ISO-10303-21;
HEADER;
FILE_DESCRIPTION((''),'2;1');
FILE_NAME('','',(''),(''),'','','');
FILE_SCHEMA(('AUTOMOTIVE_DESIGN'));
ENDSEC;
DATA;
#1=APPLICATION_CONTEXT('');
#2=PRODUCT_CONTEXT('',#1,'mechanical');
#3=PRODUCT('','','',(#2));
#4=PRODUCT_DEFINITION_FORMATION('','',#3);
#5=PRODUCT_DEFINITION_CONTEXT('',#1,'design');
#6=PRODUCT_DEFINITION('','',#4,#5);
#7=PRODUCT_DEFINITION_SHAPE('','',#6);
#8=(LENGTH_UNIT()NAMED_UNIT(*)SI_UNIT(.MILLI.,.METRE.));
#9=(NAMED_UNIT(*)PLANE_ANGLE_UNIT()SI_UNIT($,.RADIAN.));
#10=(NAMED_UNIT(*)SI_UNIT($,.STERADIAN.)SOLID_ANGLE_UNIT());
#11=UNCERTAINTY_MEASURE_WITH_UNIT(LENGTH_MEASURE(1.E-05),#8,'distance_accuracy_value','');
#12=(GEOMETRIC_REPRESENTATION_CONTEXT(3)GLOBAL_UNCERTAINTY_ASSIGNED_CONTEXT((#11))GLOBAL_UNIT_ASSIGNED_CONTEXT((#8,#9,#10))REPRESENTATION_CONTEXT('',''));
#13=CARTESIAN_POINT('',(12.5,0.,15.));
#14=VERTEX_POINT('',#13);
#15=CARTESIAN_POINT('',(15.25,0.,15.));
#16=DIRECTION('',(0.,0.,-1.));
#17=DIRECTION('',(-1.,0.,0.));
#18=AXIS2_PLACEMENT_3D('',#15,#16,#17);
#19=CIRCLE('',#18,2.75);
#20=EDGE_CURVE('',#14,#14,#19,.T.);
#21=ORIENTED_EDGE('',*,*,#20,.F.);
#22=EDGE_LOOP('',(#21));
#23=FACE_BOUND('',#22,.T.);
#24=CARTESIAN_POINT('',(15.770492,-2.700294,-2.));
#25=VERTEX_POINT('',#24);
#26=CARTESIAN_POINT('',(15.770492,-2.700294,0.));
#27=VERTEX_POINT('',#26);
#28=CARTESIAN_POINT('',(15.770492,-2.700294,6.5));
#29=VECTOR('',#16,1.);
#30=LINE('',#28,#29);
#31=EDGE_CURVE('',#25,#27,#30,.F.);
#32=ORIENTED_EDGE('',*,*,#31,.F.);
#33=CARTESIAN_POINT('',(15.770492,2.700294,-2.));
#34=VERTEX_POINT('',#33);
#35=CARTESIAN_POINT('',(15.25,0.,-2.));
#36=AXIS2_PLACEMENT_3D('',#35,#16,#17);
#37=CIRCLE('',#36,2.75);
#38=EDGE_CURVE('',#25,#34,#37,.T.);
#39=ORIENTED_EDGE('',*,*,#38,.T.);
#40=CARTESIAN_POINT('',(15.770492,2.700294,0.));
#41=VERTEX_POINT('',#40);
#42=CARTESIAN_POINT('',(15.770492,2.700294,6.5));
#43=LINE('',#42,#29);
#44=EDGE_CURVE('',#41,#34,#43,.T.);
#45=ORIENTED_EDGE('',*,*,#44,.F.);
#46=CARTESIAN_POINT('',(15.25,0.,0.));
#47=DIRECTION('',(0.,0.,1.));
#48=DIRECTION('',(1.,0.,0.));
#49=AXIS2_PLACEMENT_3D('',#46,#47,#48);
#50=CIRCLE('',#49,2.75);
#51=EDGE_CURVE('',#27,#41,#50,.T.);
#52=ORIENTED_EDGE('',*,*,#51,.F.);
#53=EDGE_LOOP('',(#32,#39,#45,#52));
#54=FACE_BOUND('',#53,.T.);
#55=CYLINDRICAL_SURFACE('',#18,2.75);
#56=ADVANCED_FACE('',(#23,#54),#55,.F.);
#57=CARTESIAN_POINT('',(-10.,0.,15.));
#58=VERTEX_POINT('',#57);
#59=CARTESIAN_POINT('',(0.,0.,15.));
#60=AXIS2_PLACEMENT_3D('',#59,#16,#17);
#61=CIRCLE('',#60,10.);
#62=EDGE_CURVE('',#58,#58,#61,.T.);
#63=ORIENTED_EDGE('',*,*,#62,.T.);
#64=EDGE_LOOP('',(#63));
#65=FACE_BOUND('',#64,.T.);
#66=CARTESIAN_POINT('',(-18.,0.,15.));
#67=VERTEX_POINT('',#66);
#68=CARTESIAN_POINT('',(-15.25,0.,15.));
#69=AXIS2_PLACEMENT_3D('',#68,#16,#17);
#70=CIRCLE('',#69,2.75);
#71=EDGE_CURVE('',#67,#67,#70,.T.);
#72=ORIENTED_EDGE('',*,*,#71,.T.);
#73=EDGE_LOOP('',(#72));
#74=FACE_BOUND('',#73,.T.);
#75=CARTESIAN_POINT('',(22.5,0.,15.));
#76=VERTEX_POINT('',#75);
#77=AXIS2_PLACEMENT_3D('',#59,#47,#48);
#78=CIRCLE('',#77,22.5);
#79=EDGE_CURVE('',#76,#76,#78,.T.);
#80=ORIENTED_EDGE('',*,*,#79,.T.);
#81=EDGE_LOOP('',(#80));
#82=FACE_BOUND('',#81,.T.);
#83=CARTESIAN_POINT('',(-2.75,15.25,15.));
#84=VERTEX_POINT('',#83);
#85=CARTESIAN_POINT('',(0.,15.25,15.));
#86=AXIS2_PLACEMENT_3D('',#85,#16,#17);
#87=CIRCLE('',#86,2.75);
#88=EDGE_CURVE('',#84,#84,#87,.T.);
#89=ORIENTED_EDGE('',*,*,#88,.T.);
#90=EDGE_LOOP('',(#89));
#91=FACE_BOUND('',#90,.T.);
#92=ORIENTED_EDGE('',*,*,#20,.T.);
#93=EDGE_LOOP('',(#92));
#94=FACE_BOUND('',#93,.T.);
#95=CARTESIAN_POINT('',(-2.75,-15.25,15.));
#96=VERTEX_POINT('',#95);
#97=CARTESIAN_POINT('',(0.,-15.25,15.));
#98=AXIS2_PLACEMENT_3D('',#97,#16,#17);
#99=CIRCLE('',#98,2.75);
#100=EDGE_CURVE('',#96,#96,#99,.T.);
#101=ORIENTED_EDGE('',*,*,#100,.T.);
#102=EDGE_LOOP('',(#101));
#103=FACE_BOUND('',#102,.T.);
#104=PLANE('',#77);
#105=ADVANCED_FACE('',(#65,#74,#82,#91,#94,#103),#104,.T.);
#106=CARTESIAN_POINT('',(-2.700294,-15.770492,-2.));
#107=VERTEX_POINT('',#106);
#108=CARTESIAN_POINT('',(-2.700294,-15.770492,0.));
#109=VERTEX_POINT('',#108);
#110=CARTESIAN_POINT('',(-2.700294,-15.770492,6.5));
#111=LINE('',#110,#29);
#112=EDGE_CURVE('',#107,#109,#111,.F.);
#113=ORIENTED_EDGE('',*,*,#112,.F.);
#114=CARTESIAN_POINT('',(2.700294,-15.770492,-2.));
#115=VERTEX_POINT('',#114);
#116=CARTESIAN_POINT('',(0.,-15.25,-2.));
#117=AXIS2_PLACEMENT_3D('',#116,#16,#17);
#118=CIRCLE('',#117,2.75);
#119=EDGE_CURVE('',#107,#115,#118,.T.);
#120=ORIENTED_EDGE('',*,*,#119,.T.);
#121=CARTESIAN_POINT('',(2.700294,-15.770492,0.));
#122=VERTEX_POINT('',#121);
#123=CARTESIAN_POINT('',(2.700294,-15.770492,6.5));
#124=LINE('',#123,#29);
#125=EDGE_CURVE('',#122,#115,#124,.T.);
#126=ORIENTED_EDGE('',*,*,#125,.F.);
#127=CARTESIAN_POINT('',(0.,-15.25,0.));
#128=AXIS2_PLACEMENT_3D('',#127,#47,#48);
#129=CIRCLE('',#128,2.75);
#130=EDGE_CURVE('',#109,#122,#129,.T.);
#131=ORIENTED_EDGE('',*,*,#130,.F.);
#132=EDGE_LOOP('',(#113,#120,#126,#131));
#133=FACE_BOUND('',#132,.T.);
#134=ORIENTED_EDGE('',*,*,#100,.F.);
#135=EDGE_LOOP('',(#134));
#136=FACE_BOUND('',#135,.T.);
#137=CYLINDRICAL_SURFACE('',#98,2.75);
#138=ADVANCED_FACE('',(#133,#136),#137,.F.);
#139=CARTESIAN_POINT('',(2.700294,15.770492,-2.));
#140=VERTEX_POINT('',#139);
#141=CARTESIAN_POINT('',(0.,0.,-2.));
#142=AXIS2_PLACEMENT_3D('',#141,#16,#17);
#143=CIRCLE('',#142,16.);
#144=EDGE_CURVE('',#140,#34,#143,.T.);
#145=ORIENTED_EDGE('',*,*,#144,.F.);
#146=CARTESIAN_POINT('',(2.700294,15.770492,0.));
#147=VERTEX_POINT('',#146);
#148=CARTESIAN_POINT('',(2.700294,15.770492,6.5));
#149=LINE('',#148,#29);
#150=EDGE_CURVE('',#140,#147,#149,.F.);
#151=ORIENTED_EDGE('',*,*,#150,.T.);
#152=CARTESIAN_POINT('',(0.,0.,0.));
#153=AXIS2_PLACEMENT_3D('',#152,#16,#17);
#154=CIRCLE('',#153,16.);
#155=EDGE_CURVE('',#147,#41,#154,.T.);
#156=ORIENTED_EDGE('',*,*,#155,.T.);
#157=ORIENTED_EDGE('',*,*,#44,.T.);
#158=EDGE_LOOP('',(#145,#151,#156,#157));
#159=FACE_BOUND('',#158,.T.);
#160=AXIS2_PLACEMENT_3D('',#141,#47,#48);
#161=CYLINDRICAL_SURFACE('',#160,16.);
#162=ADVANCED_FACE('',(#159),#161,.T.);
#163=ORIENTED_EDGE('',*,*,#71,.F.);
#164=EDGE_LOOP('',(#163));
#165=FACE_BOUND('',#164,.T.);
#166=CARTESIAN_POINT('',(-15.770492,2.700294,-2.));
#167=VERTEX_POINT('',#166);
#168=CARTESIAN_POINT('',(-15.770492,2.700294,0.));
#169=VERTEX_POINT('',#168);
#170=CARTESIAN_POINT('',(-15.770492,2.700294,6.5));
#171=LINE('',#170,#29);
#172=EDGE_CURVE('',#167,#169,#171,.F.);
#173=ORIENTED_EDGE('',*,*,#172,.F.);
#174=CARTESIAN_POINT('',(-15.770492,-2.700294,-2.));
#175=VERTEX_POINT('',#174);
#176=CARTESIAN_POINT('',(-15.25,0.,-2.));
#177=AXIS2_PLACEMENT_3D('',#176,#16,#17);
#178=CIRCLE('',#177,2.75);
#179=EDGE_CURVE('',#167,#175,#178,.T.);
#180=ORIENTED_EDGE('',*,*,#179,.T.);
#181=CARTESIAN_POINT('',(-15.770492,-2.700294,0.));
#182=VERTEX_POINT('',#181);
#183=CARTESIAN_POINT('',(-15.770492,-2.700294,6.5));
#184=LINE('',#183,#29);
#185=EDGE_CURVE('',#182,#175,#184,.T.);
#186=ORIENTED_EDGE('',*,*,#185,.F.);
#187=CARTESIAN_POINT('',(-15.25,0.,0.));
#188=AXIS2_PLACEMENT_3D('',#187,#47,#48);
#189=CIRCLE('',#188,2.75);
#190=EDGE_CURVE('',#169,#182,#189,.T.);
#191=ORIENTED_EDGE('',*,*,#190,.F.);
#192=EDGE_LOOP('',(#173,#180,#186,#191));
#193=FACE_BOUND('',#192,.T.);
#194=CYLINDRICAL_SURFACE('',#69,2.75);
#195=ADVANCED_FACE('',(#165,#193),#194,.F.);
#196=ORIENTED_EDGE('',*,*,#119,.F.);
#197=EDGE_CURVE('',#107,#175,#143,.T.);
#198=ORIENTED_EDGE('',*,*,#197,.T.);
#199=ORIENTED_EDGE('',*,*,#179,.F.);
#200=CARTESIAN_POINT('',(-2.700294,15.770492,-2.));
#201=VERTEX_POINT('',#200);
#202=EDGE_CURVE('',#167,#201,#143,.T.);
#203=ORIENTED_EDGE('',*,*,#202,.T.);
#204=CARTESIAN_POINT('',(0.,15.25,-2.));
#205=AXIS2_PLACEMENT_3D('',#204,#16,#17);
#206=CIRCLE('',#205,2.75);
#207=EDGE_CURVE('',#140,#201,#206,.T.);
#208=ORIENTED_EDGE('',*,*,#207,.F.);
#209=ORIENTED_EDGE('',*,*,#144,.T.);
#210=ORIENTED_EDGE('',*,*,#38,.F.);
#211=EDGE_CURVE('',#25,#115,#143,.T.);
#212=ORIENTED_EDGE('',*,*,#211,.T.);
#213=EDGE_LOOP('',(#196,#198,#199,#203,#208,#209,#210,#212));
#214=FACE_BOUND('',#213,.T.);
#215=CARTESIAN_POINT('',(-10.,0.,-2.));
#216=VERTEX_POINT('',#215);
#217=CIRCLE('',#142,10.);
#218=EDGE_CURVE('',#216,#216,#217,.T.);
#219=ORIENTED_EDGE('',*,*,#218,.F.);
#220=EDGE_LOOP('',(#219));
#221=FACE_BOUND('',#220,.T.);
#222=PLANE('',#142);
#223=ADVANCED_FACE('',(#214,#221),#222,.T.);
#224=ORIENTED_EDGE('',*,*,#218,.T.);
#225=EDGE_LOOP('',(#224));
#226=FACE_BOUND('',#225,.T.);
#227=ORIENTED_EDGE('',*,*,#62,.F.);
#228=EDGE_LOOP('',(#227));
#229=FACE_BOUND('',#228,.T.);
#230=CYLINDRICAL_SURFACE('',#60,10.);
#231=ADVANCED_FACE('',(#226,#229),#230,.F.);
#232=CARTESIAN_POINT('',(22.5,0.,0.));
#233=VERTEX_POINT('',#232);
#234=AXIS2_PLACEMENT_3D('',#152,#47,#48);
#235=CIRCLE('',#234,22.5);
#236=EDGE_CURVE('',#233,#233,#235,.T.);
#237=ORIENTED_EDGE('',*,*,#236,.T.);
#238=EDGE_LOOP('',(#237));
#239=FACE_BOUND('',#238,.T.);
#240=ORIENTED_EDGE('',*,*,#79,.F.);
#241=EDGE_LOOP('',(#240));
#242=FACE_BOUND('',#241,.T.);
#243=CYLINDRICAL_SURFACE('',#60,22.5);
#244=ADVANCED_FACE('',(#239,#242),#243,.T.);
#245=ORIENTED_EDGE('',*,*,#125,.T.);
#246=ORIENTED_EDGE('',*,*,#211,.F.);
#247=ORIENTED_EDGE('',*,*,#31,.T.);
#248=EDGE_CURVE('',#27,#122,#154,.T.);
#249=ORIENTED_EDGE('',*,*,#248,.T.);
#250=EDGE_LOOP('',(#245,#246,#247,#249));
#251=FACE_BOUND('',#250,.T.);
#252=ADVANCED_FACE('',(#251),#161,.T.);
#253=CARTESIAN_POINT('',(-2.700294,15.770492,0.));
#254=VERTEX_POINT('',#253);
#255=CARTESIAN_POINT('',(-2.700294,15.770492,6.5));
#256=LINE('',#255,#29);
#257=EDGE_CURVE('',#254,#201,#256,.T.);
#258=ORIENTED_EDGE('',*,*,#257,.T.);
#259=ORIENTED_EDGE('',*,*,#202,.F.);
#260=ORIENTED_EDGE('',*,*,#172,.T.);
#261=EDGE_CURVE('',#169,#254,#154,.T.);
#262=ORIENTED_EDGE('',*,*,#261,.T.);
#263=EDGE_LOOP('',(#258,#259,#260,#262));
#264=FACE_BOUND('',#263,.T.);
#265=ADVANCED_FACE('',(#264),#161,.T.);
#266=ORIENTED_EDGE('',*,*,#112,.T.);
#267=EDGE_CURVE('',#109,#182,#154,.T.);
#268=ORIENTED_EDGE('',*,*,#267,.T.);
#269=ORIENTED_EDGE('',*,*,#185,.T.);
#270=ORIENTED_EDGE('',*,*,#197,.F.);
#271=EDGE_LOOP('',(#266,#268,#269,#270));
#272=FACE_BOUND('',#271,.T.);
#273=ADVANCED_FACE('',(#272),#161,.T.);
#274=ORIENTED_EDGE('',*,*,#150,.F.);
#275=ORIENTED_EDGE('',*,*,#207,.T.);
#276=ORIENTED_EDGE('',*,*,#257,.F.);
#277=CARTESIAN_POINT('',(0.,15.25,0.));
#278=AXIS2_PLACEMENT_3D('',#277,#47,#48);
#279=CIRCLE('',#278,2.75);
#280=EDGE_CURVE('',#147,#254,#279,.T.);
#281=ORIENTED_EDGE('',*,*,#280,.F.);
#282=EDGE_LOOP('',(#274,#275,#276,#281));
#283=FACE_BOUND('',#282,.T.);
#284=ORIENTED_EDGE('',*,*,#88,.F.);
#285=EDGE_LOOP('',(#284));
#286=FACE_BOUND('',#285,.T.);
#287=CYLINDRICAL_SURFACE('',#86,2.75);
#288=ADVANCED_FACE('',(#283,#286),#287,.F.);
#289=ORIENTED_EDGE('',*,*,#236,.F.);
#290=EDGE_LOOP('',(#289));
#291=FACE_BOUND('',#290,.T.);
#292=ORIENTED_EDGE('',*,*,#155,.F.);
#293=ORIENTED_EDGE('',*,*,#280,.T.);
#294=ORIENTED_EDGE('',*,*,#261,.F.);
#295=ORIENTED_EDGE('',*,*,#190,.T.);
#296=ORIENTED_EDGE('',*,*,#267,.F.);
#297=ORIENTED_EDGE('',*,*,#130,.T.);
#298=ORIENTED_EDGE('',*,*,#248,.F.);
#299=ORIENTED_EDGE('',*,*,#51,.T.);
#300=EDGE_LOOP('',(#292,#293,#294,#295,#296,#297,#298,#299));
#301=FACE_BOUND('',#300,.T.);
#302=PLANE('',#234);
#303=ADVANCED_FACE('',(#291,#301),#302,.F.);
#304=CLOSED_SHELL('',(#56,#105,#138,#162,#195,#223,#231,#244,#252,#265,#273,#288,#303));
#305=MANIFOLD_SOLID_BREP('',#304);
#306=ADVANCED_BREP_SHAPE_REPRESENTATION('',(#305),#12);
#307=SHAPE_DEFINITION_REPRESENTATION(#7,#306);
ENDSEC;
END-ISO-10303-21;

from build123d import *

# Parameters (mm, degrees)
SKIZZE1_R                       = 22.5
AUFSATZ_LINEAR_AUSTRAGEN1_DEPTH = 15
SKIZZE2_R                       = 16
AUFSATZ_LINEAR_AUSTRAGEN2_DEPTH = 2
SKIZZE3_R                       = 10
SCHNITT_LINEAR_AUSTRAGEN1_DEPTH = 37.076308015
SKIZZE7_R                       = 2.75
SCHNITT_LINEAR_AUSTRAGEN2_DEPTH = 37.076308015


with BuildPart() as part:
    # Skizze1 → Aufsatz-Linear austragen1 (new body)
    with BuildSketch(Plane.XY):
        Circle(SKIZZE1_R)
    extrude(amount=AUFSATZ_LINEAR_AUSTRAGEN1_DEPTH)

    # Skizze2 → Aufsatz-Linear austragen2 (add)
    with BuildSketch(Plane(origin=(0, 0, 0), x_dir=(-1, 0, 0), z_dir=(0, 0, -1))):
        Circle(SKIZZE2_R)
    extrude(amount=AUFSATZ_LINEAR_AUSTRAGEN2_DEPTH)

    # Skizze3 → Schnitt-Linear austragen1 (cut, through all)
    with BuildSketch(Plane(origin=(0, 0, -2), x_dir=(-1, 0, 0), z_dir=(0, 0, -1))):
        Circle(SKIZZE3_R)
    extrude(amount=-SCHNITT_LINEAR_AUSTRAGEN1_DEPTH, mode=Mode.SUBTRACT)

    # Skizze7 → Schnitt-Linear austragen2 (cut, through all)
    with BuildSketch(Plane(origin=(0, 0, -2), x_dir=(-1, 0, 0), z_dir=(0, 0, -1))):
        with Locations((0, 15.25)):
            Circle(SKIZZE7_R)
        with Locations((15.25, 0)):
            Circle(SKIZZE7_R)
        with Locations((0, -15.25)):
            Circle(SKIZZE7_R)
        with Locations((-15.25, 0)):
            Circle(SKIZZE7_R)
    extrude(amount=-SCHNITT_LINEAR_AUSTRAGEN2_DEPTH, mode=Mode.SUBTRACT)


solid = part.part
